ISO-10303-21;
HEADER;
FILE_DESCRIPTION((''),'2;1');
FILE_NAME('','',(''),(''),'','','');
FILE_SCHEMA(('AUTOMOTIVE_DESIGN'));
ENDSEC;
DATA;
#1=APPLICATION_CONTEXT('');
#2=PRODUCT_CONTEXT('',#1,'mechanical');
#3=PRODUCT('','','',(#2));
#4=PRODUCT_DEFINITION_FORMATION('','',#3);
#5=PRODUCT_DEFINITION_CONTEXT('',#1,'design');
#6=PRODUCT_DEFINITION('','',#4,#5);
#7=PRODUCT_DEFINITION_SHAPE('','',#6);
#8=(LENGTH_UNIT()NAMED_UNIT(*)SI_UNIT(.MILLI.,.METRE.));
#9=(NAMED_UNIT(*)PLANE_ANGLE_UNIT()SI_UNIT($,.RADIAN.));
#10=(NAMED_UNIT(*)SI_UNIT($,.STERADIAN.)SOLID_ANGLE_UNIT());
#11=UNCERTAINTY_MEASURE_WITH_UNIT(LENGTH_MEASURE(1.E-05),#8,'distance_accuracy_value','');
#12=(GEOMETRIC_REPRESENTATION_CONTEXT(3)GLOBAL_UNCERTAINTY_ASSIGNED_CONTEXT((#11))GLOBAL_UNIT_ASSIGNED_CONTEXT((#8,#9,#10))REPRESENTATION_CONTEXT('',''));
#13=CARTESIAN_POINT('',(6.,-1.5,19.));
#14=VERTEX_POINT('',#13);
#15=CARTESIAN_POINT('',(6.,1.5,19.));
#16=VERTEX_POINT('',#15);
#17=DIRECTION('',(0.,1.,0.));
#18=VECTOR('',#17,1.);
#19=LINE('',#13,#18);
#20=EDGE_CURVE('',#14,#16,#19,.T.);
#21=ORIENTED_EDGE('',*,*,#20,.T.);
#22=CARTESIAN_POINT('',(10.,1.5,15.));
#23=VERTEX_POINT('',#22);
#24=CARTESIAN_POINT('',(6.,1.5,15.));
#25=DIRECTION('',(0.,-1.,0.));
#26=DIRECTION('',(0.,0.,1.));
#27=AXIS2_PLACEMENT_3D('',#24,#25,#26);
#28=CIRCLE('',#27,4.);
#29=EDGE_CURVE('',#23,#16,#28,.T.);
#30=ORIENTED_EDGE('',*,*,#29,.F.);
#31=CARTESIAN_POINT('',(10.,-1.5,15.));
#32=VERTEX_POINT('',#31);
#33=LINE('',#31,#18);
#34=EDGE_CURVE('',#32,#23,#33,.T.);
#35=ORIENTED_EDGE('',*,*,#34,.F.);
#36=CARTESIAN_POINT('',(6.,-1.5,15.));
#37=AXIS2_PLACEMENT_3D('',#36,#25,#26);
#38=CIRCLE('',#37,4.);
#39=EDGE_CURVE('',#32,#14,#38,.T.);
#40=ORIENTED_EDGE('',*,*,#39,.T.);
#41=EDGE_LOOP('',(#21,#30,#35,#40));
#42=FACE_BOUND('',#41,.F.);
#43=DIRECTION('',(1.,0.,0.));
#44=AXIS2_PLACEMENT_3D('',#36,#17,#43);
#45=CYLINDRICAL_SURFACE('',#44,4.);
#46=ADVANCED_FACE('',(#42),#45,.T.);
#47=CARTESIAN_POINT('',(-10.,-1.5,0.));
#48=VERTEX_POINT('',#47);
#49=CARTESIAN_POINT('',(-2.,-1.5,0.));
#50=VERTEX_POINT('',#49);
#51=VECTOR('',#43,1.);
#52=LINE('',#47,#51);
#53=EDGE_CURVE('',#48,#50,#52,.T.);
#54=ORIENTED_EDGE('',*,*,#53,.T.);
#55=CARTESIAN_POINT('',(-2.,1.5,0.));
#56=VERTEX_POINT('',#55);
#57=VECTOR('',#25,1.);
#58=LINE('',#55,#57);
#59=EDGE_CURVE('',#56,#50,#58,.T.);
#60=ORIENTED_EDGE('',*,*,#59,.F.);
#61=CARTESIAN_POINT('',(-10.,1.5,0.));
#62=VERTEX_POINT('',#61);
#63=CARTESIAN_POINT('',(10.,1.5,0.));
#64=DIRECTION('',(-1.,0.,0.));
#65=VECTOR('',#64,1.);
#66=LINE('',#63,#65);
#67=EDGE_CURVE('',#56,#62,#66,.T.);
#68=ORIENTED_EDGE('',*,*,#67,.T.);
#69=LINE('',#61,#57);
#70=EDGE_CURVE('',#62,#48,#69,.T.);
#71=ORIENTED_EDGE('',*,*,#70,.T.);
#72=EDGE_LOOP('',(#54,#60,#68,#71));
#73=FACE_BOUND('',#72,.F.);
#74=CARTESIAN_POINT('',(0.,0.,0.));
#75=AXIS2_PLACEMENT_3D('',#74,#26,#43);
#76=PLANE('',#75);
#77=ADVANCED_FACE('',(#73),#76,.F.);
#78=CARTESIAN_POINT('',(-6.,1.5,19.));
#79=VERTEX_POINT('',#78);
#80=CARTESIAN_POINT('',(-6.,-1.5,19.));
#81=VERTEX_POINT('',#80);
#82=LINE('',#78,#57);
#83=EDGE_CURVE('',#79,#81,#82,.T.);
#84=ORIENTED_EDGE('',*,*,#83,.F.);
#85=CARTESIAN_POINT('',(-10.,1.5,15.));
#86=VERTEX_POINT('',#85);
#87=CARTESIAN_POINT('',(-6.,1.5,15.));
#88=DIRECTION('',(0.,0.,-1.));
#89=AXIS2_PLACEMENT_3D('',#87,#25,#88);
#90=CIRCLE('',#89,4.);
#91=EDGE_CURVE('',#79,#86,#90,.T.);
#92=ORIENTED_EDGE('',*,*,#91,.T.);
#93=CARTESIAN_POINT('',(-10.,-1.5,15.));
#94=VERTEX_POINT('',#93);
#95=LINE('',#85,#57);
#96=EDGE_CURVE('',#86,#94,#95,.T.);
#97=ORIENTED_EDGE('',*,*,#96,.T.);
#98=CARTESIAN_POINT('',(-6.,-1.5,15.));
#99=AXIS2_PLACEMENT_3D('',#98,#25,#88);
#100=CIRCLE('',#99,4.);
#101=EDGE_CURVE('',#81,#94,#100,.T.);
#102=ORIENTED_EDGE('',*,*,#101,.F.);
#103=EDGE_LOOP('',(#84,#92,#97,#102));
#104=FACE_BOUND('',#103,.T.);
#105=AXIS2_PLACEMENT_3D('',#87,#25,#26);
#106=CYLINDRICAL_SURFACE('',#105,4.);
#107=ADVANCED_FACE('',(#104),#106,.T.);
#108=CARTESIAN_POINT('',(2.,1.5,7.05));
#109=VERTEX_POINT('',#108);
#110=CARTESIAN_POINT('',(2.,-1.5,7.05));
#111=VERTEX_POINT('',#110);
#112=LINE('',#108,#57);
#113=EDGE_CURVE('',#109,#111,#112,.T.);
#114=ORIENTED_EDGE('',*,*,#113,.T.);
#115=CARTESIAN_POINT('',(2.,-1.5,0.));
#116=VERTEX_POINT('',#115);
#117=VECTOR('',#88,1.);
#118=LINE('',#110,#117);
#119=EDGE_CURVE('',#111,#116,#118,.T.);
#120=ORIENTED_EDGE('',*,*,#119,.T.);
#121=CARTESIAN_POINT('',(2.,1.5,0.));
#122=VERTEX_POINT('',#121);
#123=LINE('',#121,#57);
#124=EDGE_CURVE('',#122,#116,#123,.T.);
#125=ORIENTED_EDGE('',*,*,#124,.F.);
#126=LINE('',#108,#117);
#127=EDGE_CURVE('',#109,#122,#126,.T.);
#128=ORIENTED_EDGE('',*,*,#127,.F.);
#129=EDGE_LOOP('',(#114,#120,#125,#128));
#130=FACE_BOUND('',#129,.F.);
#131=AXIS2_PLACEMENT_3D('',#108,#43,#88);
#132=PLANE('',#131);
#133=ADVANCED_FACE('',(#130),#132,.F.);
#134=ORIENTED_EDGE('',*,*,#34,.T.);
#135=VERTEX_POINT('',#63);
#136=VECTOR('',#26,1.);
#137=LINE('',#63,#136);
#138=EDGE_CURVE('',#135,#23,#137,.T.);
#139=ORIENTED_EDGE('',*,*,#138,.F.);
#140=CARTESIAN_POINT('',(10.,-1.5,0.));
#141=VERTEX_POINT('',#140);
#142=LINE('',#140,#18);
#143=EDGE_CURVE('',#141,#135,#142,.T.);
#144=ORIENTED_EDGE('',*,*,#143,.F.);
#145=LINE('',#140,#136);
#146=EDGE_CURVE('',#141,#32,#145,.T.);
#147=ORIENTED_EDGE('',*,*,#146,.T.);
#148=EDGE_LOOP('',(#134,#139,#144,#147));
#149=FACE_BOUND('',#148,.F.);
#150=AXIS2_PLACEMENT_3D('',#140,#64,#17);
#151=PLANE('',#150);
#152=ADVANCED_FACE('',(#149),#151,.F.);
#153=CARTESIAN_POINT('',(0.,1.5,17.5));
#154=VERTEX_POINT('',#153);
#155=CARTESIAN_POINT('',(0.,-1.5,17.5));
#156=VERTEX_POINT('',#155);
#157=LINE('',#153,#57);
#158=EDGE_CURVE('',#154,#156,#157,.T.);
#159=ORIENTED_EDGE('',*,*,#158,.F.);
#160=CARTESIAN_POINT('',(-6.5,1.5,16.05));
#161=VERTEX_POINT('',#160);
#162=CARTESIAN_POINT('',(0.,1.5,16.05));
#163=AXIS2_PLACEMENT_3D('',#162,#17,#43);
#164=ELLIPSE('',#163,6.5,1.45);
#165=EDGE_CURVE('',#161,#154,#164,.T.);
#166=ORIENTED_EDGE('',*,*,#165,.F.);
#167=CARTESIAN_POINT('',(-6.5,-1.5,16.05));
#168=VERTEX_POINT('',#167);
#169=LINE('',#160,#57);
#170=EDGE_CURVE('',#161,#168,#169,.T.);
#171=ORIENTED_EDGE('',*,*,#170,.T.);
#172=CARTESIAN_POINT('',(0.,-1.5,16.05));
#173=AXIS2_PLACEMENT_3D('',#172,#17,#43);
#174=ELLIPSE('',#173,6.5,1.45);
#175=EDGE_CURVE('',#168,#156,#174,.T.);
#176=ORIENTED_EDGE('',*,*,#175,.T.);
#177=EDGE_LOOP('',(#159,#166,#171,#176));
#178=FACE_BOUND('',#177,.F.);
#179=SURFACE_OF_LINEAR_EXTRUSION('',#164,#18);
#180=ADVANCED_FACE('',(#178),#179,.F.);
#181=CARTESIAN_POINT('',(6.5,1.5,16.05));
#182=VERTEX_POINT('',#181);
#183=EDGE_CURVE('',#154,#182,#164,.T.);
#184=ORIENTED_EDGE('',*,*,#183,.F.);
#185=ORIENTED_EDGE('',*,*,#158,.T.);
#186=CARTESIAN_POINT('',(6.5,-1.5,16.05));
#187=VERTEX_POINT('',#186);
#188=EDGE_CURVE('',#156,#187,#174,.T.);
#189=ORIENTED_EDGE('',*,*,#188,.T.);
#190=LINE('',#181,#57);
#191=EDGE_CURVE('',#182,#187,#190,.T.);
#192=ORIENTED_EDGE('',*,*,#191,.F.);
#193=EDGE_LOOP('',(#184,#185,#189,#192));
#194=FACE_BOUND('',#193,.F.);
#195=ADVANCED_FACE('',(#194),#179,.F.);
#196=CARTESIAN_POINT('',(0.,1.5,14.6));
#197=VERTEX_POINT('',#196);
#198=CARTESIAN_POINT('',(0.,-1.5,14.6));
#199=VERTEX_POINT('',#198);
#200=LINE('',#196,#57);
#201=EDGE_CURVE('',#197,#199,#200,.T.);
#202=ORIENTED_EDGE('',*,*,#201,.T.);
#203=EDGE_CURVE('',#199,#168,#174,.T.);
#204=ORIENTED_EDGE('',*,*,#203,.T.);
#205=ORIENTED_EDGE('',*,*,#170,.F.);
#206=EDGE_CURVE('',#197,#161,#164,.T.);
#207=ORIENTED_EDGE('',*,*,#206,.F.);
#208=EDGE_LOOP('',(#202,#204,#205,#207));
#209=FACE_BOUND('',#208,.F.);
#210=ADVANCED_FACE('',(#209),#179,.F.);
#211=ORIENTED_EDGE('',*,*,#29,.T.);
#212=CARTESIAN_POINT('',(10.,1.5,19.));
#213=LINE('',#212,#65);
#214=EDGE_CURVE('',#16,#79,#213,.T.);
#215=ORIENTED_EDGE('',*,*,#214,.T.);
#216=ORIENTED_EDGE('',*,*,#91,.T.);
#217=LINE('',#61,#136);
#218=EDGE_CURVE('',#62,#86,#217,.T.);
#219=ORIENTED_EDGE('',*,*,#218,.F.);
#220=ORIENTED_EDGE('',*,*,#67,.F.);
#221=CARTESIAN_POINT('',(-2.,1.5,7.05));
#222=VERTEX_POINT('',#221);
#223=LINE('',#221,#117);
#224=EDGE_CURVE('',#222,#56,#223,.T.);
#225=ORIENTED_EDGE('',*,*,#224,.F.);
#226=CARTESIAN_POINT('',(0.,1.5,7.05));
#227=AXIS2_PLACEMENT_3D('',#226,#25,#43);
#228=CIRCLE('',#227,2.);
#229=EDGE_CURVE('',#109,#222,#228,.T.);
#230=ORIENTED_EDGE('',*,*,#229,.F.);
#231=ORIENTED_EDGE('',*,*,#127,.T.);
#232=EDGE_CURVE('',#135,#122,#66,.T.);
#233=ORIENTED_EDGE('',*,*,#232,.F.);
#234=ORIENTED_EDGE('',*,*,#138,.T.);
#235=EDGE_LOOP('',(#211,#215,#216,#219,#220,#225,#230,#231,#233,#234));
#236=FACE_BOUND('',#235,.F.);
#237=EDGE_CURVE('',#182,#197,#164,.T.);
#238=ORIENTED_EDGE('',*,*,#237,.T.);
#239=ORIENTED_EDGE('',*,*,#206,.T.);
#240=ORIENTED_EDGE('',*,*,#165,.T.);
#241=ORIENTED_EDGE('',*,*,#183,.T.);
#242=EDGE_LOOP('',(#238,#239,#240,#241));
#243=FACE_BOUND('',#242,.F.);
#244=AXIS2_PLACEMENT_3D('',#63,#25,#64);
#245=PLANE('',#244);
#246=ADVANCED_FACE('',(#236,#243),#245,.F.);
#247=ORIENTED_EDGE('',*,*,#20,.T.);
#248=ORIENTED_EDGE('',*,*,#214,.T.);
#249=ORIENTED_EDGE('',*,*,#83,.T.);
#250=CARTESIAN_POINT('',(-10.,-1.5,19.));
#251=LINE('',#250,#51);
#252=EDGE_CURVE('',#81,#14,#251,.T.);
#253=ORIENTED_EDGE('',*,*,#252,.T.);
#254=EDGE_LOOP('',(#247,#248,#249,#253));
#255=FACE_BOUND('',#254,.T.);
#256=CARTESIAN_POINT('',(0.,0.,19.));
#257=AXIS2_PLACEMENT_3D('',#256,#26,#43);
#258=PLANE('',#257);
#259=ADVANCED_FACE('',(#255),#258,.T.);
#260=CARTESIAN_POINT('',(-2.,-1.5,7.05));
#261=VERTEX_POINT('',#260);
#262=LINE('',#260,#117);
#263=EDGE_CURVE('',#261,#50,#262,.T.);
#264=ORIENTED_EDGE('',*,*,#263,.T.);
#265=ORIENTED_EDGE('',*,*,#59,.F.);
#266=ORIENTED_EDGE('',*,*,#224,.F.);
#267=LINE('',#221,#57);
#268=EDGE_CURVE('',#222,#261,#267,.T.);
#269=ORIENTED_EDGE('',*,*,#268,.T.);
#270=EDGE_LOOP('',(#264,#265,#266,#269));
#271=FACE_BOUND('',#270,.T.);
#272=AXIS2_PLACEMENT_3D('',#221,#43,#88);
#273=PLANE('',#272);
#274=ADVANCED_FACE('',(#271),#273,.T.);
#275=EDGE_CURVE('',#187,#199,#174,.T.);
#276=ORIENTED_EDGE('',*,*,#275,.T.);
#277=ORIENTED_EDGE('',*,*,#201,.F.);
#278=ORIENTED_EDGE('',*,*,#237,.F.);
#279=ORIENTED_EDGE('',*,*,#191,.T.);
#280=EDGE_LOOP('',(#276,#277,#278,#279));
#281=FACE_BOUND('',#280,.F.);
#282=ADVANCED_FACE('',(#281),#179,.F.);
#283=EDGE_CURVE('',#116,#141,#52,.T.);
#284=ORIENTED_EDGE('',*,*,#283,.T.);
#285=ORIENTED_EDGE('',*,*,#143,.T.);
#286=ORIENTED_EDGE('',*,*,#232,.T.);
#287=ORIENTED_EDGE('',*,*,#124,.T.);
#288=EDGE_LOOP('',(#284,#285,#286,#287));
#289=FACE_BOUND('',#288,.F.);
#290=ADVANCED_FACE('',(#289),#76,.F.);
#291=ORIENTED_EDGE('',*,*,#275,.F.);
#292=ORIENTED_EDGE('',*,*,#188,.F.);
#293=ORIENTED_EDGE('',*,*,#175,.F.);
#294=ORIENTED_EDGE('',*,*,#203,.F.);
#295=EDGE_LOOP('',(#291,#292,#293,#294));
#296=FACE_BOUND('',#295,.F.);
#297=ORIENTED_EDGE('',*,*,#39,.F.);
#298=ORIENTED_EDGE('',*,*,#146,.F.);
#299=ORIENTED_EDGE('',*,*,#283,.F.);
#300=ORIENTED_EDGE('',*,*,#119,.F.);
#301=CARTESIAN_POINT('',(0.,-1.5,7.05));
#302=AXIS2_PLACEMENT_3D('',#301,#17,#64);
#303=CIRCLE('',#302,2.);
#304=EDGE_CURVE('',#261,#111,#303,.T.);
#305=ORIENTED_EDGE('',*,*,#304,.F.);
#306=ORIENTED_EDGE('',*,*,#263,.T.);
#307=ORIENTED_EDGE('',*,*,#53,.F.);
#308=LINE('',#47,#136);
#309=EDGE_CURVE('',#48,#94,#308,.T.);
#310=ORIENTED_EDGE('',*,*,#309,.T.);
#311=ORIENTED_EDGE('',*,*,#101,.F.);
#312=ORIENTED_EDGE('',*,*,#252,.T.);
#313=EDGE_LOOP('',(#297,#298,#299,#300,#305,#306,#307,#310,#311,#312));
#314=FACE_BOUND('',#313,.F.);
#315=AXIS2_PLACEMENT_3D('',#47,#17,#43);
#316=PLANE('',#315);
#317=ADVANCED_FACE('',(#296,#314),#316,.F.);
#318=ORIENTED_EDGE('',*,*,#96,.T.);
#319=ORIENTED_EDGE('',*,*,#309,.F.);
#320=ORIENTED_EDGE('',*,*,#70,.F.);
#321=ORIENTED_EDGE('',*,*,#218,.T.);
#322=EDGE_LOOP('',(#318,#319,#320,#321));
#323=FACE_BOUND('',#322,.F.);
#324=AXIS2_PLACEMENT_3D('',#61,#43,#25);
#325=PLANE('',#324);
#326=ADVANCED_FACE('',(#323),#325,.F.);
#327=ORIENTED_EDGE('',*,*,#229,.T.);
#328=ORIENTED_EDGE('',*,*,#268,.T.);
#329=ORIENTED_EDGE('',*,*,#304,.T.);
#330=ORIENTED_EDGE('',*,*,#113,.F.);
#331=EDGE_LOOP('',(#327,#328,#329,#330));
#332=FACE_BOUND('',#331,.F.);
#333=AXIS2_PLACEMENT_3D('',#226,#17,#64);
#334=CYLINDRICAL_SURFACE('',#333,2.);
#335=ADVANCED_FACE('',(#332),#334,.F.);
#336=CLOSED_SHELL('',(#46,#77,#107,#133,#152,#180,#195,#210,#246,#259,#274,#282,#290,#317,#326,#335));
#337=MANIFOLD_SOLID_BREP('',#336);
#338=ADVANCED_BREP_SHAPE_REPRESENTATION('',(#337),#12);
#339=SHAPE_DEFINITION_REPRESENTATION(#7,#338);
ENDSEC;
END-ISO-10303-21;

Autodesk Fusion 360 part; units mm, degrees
sketch "Sketch1" plane through (0, 0, 0) normal (0, 0, 1) x (1, 0, 0)
  line L0 (10, 1.5) -> (-10, 1.5)
  line L1 (-10, 1.5) -> (-10, -1.5)
  line L2 (-10, -1.5) -> (10, -1.5)
  line L3 (10, -1.5) -> (10, 1.5)
  dimension "d1" = 20
  dimension "d2" = 3
extrude "Extrude1" add sketch "Sketch1" along normal blind 19
sketch "Sketch2" plane through (0, 1.5, 0) normal (0, 1, 0) x (-1, 0, 0)
  line L0 (-10, 0) -> (10, 0)
  line L1 (10, 0) -> (10, 19)
  line L2 (10, 19) -> (-10, 19)
  line L3 (-10, 19) -> (-10, 0)
  line L4 (0, 9.05) -> (0, 9.05)
  line L5 (-2, 7.05) -> (-2, 0)
  line L6 (2, 7.05) -> (2, 0)
  arc A0 (0, 9.05) -> (-2, 7.05) centre (0, 7.05) ccw
  arc A1 (2, 7.05) -> (0, 9.05) centre (0, 7.05) ccw
  point P0 (0, 9.05)
  dimension "d9" = 2
extrude "Extrude2" cut sketch "Sketch2" against normal blind 3 contours L0 L5 L6 A0 A1
fillet "Fillet1" radius 4 2 edges at (10, 0, 19) (-10, 0, 19)
sketch "Sketch3" plane through (0, 1.5, 0) normal (0, 1, 0) x (-1, 0, 0)
  arc A0 (10, 15) -> (6, 19) centre (6, 15) ccw
  line L0 (6, 19) -> (-6, 19)
  arc A1 (-6, 19) -> (-10, 15) centre (-6, 15) ccw
  line L1 (-10, 15) -> (-10, 0)
  line L2 (-10, 0) -> (-2, 0)
  line L3 (-2, 0) -> (-2, 7.05)
  arc A2 (2, 7.05) -> (-2, 7.05) centre (0, 7.05) ccw
  line L4 (2, 7.05) -> (2, 0)
  line L5 (2, 0) -> (10, 0)
  line L6 (10, 0) -> (10, 15)
  line L7 (0, 19) -> (0, 13.1)
  line L8 (0, 19) -> (0, 17.5)
  line L9 (0, 13.1) -> (0, 14.6)
  ellipse E0 centre (0, 16.05) end of major axis (0, 17.5) minor radius 6.5
  line L10 (0, 14.6) -> (0, 17.5)
  line L11 (6.5, 16.05) -> (-6.5, 16.05)
  dimension "d14" = 5.9
  dimension "d15" = 1.5
  dimension "d16" = 1.5
  dimension "d17" = 13
extrude "Extrude3" cut sketch "Sketch3" against normal blind 3 contours L7 E0 L10 L11 | L7 E0 L10 L11 | L7 E0 L10 L11 | L7 E0 L10 L11
